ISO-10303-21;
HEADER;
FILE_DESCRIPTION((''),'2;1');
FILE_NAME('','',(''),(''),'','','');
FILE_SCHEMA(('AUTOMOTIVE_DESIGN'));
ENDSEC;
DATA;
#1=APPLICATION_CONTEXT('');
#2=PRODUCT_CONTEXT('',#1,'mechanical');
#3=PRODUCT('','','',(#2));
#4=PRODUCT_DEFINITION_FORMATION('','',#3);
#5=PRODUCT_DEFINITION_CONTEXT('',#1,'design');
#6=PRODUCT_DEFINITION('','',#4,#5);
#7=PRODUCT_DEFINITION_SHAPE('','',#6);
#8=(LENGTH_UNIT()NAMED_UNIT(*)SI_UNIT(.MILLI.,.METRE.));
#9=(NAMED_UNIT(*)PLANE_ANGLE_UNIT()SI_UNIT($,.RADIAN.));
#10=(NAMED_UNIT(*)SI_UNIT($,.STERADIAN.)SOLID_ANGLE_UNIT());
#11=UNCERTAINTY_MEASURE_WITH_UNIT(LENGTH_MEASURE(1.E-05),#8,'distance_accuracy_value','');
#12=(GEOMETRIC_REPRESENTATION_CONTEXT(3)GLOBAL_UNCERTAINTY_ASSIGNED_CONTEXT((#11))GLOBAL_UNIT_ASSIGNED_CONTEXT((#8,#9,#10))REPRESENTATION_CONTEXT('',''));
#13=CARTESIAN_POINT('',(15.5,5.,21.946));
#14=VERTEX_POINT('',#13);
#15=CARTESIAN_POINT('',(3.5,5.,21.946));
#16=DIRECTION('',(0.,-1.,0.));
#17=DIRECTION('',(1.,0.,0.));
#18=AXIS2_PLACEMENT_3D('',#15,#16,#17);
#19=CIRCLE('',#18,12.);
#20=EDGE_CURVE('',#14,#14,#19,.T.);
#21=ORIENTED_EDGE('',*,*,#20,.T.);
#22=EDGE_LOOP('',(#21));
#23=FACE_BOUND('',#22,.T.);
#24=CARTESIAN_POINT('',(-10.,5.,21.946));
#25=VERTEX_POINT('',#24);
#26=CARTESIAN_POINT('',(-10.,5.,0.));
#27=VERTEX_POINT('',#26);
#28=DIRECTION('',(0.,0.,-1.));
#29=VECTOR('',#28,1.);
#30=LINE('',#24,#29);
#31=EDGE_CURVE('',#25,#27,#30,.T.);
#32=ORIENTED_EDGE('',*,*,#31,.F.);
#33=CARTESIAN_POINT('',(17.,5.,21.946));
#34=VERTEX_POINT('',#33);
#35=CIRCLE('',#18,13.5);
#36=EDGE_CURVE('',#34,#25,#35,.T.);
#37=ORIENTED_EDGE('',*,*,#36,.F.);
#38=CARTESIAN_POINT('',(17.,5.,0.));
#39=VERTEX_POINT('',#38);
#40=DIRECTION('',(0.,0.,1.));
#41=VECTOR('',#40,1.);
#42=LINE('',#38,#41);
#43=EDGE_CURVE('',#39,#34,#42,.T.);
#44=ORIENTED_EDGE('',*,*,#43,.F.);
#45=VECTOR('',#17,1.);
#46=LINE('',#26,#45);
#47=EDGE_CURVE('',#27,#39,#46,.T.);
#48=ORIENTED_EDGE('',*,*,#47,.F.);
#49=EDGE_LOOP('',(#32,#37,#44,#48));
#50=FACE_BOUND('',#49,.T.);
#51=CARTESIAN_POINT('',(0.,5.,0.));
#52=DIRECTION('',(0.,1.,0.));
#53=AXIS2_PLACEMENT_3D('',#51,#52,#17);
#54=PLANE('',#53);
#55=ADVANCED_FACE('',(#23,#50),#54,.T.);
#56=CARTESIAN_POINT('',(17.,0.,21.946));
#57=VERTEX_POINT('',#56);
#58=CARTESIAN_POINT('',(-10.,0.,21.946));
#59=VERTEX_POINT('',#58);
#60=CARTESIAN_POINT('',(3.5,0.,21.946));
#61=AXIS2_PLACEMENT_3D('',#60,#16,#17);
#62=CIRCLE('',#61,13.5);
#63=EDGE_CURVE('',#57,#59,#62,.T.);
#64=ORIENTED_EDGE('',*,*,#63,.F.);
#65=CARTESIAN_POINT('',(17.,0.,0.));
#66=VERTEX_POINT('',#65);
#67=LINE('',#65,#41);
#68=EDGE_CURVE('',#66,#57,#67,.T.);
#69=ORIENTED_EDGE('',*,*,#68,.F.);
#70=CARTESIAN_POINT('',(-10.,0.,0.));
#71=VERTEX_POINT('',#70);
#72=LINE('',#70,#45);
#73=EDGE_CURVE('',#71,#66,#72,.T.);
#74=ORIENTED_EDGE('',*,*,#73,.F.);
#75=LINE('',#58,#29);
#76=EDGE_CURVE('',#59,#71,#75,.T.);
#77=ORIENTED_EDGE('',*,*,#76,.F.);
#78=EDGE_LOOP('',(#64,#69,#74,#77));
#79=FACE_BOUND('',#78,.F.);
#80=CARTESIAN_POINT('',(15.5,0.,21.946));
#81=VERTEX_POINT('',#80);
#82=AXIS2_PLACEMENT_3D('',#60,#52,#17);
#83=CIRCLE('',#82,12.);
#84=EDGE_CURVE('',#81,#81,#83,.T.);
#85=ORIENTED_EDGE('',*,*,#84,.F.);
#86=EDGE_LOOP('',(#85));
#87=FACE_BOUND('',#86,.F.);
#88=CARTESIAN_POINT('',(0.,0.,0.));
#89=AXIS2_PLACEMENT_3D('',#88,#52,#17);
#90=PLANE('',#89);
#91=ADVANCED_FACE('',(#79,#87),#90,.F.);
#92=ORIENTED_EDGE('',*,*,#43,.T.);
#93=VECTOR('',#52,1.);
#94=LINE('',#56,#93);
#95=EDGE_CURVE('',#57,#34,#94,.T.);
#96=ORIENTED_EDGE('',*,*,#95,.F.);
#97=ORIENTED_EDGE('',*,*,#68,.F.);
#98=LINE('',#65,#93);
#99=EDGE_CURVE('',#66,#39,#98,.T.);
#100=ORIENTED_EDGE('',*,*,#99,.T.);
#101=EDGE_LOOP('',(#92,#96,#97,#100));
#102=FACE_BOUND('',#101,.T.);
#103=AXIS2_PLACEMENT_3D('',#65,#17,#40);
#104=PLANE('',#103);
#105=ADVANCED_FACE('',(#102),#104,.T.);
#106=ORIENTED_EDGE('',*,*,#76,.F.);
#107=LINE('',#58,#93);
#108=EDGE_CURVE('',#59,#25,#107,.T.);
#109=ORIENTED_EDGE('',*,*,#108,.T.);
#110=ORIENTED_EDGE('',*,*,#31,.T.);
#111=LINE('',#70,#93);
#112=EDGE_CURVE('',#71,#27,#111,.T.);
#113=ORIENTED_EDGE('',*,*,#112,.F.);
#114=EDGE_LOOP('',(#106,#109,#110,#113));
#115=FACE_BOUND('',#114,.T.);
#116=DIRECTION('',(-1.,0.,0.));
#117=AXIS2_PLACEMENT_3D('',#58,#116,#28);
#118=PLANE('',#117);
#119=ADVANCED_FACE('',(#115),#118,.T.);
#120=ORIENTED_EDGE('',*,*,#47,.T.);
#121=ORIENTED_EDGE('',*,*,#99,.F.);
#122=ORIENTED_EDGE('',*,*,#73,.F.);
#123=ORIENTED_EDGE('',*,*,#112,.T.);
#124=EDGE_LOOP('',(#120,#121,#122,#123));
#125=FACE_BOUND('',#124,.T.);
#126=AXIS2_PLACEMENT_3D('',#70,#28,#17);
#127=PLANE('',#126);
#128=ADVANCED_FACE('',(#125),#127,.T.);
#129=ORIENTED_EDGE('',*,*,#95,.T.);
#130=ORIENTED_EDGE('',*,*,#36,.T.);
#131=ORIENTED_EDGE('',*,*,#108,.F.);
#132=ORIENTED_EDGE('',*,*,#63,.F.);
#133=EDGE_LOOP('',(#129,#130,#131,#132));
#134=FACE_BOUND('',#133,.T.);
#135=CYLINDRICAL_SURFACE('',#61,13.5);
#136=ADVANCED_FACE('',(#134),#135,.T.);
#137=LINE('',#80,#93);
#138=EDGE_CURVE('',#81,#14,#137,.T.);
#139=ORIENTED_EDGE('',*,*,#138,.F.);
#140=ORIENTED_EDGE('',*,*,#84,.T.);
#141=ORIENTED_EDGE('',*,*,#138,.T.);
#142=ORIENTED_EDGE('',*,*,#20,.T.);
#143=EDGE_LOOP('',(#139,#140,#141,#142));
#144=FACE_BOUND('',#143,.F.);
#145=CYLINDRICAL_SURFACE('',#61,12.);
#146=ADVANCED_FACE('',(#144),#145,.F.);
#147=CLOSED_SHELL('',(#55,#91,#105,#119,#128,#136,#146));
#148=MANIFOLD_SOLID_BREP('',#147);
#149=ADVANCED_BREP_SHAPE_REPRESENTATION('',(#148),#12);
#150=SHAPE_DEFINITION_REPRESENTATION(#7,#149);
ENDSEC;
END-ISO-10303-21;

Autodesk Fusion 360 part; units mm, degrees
sketch "Sketch1" plane through (0, 0, 0) normal (0, 1, 0) x (1, 0, 0)
  line L0 (-10, 0) -> (17, 0)
  line L1 (17, 0) -> (17, -21.946)
  line L2 (17, -21.946) -> (-10, -21.946)
  line L3 (-10, -21.946) -> (-10, 0)
  dimension "d1" = 21.946
  dimension "d2" = 27
  dimension "d3" = 10
  dimension "d4" = 21.946
extrude "Extrude1" add sketch "Sketch1" along normal blind 5
sketch "Sketch2" plane through (0, 0, 0) normal (0, -1, 0) x (1, 0, 0)
  line L0 (17, 21.946) -> (-10, 21.946)
  line L1 (-10, 21.946) -> (-10, 0)
  line L2 (-10, 0) -> (17, 0)
  line L3 (17, 0) -> (17, 21.946)
  circle A0 centre (3.5, 21.946) radius 13.5
  circle A1 centre (3.5, 21.946) radius 12
  dimension "d7" = 27
  dimension "d8" = 24
extrude "Extrude2" add sketch "Sketch2" against normal blind 5 contours L0 A0 A1 picked at (13.449, 30.2624)
extrude "Extrude3" cut sketch "Sketch2" against normal blind 5 contours L0 A1 picked at (6.689, 16.5654)
equation "d1 = 21.616 mm + 0.33 mm"
equation "d4 = 21.616 mm + 0.33 mm"
